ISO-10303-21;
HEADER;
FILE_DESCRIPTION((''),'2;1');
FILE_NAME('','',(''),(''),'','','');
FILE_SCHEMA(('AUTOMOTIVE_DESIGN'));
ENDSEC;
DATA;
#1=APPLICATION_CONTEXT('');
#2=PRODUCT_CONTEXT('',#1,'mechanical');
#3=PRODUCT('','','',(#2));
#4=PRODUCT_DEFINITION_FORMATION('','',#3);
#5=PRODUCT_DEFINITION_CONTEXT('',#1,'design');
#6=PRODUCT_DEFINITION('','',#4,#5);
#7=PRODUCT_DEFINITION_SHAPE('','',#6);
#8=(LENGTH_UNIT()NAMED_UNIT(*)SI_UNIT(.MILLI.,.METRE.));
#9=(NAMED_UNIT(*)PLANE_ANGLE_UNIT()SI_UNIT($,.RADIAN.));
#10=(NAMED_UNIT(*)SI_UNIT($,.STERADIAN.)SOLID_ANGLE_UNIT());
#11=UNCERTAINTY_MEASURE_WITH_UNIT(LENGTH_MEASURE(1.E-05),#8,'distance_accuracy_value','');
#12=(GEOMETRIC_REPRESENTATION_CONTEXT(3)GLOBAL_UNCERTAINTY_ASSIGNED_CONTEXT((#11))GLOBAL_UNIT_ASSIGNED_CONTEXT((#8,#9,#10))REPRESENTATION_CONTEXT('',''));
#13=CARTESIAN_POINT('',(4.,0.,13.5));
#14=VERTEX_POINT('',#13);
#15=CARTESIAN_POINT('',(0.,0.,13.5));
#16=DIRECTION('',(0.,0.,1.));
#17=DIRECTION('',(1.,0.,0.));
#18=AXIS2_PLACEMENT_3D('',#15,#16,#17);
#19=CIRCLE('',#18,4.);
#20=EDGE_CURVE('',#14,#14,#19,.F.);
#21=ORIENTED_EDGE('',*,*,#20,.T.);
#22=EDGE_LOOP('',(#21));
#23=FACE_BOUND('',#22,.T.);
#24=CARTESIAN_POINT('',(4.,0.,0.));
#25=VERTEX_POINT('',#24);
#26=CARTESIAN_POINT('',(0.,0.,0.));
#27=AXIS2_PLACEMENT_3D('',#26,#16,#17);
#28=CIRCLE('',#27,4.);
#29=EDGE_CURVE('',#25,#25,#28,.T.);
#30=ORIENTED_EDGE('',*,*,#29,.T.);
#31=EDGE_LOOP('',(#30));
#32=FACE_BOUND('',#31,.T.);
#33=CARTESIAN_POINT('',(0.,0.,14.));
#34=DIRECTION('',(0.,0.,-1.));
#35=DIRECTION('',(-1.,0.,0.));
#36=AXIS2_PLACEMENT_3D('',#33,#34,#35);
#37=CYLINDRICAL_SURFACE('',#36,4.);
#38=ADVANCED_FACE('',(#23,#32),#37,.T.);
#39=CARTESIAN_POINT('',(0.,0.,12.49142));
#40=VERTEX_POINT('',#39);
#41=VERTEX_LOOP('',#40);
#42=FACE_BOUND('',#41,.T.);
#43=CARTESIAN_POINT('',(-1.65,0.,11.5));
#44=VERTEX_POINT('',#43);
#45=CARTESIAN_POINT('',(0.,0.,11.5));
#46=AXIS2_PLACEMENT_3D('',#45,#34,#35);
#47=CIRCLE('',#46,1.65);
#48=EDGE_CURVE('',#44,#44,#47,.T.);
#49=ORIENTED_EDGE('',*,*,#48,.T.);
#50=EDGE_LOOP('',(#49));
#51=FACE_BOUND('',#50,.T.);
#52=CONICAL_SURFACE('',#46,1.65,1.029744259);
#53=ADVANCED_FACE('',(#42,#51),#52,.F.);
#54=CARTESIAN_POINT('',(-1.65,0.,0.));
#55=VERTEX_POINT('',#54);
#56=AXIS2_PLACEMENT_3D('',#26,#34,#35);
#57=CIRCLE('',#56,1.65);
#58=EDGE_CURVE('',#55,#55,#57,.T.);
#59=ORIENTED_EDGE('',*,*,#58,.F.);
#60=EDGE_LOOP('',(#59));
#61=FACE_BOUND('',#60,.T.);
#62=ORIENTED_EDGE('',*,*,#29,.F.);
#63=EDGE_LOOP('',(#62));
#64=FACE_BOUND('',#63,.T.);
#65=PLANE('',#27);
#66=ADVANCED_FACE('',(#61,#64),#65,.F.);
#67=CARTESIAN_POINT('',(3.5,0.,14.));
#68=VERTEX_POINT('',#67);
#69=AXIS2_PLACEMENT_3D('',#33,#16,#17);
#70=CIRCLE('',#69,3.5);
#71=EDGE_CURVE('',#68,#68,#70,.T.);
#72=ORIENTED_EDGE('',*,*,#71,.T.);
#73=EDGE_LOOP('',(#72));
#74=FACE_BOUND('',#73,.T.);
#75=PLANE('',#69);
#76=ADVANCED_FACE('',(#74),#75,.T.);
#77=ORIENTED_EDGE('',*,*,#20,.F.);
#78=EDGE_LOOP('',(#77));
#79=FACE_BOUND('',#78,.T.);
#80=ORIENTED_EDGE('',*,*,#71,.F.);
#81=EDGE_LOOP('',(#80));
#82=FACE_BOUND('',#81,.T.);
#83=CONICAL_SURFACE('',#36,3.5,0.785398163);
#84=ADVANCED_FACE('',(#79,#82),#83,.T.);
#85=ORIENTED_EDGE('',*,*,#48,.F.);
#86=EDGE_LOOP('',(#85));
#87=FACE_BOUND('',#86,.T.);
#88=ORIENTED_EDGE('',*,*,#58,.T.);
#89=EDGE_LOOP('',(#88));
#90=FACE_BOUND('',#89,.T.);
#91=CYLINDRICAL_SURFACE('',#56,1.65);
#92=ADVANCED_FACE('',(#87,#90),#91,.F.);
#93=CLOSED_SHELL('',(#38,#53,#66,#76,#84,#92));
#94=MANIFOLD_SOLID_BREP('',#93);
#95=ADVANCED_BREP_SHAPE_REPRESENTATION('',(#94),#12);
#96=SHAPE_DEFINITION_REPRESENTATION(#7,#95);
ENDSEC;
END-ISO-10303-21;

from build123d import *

# Parameters (mm, degrees)
ESQUISSE1_R           = 4
BOSS_EXTRU_1_DEPTH    = 14
CHANFREIN1_SIZE       = 0.5
TROU_TARAUD_M41_D     = 3.3
TROU_TARAUD_M41_DEPTH = 11.5
TROU_TARAUD_M41_TIP   = 0.991420021


with BuildPart() as part:
    # Esquisse1 → Boss.-Extru.1 (new body)
    with BuildSketch(Plane.XY):
        Circle(ESQUISSE1_R)
    extrude(amount=BOSS_EXTRU_1_DEPTH)

    # Chanfrein1
    chanfrein1_edges = [part.edges().sort_by_distance(p)[0] for p in [
        (-4, 0, 14),
    ]]
    chamfer(chanfrein1_edges, length=CHANFREIN1_SIZE)

    # Trou taraudé M41
    with Locations(Plane(origin=(0, 0, 0), x_dir=(-1, 0, 0), z_dir=(0, 0, -1))):
        with Locations((0, 0)):
            Hole(TROU_TARAUD_M41_D / 2, depth=TROU_TARAUD_M41_DEPTH)
            with Locations((0, 0, -(TROU_TARAUD_M41_DEPTH + TROU_TARAUD_M41_TIP / 2))):  # 118° drill point
                Cone(0, TROU_TARAUD_M41_D / 2, TROU_TARAUD_M41_TIP, mode=Mode.SUBTRACT)


solid = part.part
